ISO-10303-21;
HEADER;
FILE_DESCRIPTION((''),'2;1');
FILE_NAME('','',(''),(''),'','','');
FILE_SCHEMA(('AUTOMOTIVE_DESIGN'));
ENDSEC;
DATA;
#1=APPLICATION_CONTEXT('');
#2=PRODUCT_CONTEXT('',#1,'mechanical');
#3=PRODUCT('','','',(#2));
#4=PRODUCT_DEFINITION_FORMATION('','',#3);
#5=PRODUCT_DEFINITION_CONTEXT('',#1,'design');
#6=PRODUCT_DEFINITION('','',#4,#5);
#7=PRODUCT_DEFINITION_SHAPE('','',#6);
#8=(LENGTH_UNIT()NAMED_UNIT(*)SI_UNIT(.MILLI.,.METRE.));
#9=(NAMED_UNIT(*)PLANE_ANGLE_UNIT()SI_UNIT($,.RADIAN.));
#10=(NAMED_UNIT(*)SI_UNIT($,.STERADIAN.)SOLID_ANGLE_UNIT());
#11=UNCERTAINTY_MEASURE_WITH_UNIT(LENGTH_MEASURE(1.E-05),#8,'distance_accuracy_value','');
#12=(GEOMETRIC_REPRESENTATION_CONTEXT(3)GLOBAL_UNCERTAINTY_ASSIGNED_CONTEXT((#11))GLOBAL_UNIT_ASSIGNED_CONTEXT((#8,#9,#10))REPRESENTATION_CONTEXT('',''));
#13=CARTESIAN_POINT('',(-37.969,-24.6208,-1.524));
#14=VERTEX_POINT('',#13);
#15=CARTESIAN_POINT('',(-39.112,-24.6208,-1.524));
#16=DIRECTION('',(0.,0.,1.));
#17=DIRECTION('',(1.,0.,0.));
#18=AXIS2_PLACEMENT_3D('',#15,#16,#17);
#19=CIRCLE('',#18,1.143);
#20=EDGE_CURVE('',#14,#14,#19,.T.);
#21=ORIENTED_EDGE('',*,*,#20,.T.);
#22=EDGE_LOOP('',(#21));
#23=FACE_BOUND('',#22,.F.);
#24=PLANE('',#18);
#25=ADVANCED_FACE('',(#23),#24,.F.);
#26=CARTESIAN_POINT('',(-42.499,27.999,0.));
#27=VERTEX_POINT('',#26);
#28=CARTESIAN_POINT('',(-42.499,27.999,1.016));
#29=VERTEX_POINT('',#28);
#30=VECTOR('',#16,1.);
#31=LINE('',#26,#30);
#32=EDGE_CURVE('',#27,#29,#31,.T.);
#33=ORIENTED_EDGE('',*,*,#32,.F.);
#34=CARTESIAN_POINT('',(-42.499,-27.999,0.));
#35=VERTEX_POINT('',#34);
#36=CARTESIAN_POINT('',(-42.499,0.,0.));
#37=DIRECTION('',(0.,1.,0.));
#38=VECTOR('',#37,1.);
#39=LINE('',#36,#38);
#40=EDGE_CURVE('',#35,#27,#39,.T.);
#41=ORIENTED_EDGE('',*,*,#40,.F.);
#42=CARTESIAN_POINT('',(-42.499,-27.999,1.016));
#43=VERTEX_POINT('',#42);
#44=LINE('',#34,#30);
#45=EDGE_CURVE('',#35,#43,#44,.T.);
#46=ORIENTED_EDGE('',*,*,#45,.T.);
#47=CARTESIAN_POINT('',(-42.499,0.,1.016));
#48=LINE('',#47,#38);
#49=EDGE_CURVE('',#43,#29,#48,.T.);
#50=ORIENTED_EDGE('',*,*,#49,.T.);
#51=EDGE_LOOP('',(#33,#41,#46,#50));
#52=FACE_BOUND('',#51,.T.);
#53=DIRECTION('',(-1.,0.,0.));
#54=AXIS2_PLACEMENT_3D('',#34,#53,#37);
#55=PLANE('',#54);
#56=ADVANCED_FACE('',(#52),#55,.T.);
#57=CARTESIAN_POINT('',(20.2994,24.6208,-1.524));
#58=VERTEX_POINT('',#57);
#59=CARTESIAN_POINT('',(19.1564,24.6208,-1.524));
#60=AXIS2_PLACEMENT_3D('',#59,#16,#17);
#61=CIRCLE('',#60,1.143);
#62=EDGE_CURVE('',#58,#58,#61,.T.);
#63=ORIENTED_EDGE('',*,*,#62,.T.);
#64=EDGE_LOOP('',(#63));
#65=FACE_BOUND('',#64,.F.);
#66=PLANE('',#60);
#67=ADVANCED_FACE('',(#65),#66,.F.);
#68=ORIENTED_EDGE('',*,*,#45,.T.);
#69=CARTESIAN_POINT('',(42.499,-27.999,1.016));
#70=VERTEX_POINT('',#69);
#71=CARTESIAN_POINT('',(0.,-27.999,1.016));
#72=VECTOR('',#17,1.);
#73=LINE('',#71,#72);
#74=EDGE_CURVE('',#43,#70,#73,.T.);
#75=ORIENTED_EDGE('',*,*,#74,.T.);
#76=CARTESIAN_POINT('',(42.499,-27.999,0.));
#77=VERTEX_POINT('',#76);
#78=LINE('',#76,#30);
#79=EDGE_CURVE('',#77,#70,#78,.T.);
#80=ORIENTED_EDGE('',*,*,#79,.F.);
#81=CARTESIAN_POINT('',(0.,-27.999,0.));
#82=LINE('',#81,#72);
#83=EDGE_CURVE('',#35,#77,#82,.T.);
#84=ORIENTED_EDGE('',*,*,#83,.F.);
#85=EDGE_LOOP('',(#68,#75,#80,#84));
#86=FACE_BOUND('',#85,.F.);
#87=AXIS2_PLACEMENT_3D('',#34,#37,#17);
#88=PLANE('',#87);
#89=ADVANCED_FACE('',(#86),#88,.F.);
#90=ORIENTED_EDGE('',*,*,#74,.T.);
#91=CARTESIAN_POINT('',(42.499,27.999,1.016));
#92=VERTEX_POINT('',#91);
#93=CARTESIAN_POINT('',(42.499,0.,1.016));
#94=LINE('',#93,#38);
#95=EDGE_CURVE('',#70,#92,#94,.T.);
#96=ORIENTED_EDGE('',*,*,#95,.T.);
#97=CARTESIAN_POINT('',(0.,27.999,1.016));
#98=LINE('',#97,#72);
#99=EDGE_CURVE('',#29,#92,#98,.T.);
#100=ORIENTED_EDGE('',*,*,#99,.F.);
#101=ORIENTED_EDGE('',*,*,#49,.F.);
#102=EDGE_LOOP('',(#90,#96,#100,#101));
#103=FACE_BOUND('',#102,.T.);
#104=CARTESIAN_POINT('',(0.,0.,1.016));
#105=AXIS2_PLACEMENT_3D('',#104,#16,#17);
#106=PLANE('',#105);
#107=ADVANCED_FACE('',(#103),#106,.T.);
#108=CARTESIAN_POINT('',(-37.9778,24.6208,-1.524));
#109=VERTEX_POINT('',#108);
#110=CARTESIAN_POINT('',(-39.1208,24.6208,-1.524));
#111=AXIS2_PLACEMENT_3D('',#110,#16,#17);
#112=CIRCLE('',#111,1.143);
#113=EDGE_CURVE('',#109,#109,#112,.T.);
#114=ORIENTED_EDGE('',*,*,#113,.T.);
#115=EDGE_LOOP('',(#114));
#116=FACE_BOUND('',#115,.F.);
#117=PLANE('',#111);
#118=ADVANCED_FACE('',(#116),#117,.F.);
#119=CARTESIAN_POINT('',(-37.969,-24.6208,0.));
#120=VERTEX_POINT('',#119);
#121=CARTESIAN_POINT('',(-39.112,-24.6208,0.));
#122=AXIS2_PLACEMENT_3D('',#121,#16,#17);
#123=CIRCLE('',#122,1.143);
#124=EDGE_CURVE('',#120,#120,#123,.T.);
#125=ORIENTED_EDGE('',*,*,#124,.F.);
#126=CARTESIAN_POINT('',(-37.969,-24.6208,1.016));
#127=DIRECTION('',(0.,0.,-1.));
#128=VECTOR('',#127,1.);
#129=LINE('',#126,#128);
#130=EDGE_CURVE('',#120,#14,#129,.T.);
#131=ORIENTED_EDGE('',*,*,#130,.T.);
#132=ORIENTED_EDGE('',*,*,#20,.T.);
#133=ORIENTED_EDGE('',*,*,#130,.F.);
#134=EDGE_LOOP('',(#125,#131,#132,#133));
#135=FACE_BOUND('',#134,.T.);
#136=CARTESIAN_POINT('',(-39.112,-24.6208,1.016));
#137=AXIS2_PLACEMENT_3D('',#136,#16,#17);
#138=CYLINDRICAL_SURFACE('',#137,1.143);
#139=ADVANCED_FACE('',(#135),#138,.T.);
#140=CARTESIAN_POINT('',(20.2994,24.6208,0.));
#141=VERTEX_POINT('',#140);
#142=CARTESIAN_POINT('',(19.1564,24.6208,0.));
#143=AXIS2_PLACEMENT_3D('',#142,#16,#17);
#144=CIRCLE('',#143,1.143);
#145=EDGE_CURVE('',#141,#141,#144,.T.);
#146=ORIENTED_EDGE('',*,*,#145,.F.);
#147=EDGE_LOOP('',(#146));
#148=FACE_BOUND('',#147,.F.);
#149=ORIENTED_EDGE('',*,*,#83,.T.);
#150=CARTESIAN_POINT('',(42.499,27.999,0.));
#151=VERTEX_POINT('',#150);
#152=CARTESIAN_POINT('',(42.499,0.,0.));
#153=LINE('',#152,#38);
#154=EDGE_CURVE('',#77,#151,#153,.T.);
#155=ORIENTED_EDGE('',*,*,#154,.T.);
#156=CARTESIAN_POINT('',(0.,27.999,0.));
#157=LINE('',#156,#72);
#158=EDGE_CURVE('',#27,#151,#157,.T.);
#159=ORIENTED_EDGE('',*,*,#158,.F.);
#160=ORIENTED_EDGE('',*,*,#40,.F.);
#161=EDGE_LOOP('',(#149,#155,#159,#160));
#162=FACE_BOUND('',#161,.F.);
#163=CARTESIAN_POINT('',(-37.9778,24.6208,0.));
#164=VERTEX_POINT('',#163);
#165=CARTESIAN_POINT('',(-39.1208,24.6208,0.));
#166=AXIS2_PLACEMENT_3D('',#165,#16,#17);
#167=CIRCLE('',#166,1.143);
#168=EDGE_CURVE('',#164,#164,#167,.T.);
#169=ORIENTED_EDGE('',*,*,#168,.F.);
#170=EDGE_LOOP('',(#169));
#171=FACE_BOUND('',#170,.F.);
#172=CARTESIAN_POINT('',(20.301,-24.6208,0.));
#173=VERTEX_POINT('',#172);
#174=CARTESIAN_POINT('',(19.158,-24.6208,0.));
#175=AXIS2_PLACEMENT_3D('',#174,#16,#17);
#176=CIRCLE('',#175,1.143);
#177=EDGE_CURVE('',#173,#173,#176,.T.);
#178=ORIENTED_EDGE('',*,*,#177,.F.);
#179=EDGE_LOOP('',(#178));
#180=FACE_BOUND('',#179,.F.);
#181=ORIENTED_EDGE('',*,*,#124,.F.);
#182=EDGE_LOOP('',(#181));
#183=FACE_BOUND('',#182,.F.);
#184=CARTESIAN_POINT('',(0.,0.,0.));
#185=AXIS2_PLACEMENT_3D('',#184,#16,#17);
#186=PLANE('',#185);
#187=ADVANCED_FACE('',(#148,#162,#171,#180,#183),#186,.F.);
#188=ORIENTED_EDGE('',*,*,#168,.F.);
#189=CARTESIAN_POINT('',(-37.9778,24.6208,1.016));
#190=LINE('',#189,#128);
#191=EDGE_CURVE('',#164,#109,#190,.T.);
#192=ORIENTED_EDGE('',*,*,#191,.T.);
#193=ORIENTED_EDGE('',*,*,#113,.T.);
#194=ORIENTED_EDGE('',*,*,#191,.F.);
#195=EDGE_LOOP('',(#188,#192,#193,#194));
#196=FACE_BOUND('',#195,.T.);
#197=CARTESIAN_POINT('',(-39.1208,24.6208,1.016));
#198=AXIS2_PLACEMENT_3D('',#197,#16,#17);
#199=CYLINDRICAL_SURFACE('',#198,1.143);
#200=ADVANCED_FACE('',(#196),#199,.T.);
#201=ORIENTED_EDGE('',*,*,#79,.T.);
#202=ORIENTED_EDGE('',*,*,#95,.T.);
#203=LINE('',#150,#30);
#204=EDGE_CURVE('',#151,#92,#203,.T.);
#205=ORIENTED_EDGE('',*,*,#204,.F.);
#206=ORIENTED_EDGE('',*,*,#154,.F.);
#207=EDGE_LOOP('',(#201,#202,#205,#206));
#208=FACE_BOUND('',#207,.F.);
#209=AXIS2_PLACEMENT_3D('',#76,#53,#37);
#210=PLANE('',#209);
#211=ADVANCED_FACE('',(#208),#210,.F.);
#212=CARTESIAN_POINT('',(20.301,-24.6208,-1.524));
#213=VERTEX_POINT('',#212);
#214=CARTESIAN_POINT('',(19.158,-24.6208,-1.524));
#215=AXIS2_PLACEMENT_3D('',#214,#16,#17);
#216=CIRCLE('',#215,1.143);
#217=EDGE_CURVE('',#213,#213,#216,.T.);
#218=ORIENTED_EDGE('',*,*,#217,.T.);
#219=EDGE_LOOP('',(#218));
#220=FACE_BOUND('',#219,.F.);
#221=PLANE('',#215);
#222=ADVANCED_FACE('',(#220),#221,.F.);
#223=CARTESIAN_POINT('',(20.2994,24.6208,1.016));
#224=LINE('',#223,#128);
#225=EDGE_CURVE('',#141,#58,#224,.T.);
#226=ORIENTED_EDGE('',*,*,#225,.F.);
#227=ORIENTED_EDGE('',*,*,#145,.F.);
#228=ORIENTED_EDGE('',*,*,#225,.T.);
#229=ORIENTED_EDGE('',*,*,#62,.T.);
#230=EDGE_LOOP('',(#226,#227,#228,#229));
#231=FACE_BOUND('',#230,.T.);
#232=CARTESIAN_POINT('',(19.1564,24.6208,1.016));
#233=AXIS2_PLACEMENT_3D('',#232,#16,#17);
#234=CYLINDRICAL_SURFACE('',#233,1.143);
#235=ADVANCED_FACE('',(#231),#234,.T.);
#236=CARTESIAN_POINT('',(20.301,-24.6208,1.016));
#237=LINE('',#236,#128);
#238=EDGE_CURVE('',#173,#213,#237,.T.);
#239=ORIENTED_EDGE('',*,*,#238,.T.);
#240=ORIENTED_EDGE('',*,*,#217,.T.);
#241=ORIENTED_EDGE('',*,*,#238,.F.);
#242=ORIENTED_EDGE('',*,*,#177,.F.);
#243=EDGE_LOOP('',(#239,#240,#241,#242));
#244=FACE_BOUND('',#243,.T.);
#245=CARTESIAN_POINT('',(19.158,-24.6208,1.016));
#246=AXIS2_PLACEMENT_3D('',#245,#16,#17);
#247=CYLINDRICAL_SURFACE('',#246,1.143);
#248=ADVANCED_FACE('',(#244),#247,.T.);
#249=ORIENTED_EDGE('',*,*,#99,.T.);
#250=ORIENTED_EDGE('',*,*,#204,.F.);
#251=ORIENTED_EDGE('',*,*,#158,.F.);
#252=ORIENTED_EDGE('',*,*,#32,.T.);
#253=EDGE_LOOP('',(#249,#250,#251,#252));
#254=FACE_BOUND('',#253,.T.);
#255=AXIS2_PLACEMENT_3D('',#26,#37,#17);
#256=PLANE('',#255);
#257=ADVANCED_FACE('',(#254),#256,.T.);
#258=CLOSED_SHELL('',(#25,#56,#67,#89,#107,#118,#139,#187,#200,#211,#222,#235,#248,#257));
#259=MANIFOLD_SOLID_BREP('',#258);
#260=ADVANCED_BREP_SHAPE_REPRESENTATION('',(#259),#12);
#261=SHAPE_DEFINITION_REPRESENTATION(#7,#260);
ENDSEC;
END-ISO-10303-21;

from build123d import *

# Parameters (mm, degrees)
F0_W     = 84.99799993
F0_H     = 55.998000018
F0_R     = 1.143
F1_DEPTH = 1.016
F2_R     = 1.143
F3_DEPTH = 2.54


with BuildPart() as f1:
    # F0 (on Top) → F1 (new body)
    with BuildSketch(Plane.XY):
        Rectangle(F0_W, F0_H)
        with Locations((-39.1119999572, -24.620800009)):
            Circle(F0_R, mode=Mode.SUBTRACT)
        with Locations((19.1579999618, -24.620800009)):
            Circle(F0_R, mode=Mode.SUBTRACT)
        Circle(F0_R, mode=Mode.SUBTRACT)
        with Locations((-39.120799965, 24.620800009)):
            Circle(F0_R, mode=Mode.SUBTRACT)
        with Locations((19.156399965, 24.620800009)):
            Circle(F0_R, mode=Mode.SUBTRACT)
        Circle(F0_R)
    extrude(amount=F1_DEPTH)

    # F2 (on face) → F3 (join)
    with BuildSketch(Plane.XY.offset(1.016)):
        with Locations((19.156399965, 24.620800009)):
            Circle(F2_R)
        with Locations((-39.120799965, 24.620800009)):
            Circle(F2_R)
        with Locations((19.1579999618, -24.620800009)):
            Circle(F2_R)
        with Locations((-39.1119999572, -24.620800009)):
            Circle(F2_R)
    extrude(amount=-F3_DEPTH)


solid = f1.part
